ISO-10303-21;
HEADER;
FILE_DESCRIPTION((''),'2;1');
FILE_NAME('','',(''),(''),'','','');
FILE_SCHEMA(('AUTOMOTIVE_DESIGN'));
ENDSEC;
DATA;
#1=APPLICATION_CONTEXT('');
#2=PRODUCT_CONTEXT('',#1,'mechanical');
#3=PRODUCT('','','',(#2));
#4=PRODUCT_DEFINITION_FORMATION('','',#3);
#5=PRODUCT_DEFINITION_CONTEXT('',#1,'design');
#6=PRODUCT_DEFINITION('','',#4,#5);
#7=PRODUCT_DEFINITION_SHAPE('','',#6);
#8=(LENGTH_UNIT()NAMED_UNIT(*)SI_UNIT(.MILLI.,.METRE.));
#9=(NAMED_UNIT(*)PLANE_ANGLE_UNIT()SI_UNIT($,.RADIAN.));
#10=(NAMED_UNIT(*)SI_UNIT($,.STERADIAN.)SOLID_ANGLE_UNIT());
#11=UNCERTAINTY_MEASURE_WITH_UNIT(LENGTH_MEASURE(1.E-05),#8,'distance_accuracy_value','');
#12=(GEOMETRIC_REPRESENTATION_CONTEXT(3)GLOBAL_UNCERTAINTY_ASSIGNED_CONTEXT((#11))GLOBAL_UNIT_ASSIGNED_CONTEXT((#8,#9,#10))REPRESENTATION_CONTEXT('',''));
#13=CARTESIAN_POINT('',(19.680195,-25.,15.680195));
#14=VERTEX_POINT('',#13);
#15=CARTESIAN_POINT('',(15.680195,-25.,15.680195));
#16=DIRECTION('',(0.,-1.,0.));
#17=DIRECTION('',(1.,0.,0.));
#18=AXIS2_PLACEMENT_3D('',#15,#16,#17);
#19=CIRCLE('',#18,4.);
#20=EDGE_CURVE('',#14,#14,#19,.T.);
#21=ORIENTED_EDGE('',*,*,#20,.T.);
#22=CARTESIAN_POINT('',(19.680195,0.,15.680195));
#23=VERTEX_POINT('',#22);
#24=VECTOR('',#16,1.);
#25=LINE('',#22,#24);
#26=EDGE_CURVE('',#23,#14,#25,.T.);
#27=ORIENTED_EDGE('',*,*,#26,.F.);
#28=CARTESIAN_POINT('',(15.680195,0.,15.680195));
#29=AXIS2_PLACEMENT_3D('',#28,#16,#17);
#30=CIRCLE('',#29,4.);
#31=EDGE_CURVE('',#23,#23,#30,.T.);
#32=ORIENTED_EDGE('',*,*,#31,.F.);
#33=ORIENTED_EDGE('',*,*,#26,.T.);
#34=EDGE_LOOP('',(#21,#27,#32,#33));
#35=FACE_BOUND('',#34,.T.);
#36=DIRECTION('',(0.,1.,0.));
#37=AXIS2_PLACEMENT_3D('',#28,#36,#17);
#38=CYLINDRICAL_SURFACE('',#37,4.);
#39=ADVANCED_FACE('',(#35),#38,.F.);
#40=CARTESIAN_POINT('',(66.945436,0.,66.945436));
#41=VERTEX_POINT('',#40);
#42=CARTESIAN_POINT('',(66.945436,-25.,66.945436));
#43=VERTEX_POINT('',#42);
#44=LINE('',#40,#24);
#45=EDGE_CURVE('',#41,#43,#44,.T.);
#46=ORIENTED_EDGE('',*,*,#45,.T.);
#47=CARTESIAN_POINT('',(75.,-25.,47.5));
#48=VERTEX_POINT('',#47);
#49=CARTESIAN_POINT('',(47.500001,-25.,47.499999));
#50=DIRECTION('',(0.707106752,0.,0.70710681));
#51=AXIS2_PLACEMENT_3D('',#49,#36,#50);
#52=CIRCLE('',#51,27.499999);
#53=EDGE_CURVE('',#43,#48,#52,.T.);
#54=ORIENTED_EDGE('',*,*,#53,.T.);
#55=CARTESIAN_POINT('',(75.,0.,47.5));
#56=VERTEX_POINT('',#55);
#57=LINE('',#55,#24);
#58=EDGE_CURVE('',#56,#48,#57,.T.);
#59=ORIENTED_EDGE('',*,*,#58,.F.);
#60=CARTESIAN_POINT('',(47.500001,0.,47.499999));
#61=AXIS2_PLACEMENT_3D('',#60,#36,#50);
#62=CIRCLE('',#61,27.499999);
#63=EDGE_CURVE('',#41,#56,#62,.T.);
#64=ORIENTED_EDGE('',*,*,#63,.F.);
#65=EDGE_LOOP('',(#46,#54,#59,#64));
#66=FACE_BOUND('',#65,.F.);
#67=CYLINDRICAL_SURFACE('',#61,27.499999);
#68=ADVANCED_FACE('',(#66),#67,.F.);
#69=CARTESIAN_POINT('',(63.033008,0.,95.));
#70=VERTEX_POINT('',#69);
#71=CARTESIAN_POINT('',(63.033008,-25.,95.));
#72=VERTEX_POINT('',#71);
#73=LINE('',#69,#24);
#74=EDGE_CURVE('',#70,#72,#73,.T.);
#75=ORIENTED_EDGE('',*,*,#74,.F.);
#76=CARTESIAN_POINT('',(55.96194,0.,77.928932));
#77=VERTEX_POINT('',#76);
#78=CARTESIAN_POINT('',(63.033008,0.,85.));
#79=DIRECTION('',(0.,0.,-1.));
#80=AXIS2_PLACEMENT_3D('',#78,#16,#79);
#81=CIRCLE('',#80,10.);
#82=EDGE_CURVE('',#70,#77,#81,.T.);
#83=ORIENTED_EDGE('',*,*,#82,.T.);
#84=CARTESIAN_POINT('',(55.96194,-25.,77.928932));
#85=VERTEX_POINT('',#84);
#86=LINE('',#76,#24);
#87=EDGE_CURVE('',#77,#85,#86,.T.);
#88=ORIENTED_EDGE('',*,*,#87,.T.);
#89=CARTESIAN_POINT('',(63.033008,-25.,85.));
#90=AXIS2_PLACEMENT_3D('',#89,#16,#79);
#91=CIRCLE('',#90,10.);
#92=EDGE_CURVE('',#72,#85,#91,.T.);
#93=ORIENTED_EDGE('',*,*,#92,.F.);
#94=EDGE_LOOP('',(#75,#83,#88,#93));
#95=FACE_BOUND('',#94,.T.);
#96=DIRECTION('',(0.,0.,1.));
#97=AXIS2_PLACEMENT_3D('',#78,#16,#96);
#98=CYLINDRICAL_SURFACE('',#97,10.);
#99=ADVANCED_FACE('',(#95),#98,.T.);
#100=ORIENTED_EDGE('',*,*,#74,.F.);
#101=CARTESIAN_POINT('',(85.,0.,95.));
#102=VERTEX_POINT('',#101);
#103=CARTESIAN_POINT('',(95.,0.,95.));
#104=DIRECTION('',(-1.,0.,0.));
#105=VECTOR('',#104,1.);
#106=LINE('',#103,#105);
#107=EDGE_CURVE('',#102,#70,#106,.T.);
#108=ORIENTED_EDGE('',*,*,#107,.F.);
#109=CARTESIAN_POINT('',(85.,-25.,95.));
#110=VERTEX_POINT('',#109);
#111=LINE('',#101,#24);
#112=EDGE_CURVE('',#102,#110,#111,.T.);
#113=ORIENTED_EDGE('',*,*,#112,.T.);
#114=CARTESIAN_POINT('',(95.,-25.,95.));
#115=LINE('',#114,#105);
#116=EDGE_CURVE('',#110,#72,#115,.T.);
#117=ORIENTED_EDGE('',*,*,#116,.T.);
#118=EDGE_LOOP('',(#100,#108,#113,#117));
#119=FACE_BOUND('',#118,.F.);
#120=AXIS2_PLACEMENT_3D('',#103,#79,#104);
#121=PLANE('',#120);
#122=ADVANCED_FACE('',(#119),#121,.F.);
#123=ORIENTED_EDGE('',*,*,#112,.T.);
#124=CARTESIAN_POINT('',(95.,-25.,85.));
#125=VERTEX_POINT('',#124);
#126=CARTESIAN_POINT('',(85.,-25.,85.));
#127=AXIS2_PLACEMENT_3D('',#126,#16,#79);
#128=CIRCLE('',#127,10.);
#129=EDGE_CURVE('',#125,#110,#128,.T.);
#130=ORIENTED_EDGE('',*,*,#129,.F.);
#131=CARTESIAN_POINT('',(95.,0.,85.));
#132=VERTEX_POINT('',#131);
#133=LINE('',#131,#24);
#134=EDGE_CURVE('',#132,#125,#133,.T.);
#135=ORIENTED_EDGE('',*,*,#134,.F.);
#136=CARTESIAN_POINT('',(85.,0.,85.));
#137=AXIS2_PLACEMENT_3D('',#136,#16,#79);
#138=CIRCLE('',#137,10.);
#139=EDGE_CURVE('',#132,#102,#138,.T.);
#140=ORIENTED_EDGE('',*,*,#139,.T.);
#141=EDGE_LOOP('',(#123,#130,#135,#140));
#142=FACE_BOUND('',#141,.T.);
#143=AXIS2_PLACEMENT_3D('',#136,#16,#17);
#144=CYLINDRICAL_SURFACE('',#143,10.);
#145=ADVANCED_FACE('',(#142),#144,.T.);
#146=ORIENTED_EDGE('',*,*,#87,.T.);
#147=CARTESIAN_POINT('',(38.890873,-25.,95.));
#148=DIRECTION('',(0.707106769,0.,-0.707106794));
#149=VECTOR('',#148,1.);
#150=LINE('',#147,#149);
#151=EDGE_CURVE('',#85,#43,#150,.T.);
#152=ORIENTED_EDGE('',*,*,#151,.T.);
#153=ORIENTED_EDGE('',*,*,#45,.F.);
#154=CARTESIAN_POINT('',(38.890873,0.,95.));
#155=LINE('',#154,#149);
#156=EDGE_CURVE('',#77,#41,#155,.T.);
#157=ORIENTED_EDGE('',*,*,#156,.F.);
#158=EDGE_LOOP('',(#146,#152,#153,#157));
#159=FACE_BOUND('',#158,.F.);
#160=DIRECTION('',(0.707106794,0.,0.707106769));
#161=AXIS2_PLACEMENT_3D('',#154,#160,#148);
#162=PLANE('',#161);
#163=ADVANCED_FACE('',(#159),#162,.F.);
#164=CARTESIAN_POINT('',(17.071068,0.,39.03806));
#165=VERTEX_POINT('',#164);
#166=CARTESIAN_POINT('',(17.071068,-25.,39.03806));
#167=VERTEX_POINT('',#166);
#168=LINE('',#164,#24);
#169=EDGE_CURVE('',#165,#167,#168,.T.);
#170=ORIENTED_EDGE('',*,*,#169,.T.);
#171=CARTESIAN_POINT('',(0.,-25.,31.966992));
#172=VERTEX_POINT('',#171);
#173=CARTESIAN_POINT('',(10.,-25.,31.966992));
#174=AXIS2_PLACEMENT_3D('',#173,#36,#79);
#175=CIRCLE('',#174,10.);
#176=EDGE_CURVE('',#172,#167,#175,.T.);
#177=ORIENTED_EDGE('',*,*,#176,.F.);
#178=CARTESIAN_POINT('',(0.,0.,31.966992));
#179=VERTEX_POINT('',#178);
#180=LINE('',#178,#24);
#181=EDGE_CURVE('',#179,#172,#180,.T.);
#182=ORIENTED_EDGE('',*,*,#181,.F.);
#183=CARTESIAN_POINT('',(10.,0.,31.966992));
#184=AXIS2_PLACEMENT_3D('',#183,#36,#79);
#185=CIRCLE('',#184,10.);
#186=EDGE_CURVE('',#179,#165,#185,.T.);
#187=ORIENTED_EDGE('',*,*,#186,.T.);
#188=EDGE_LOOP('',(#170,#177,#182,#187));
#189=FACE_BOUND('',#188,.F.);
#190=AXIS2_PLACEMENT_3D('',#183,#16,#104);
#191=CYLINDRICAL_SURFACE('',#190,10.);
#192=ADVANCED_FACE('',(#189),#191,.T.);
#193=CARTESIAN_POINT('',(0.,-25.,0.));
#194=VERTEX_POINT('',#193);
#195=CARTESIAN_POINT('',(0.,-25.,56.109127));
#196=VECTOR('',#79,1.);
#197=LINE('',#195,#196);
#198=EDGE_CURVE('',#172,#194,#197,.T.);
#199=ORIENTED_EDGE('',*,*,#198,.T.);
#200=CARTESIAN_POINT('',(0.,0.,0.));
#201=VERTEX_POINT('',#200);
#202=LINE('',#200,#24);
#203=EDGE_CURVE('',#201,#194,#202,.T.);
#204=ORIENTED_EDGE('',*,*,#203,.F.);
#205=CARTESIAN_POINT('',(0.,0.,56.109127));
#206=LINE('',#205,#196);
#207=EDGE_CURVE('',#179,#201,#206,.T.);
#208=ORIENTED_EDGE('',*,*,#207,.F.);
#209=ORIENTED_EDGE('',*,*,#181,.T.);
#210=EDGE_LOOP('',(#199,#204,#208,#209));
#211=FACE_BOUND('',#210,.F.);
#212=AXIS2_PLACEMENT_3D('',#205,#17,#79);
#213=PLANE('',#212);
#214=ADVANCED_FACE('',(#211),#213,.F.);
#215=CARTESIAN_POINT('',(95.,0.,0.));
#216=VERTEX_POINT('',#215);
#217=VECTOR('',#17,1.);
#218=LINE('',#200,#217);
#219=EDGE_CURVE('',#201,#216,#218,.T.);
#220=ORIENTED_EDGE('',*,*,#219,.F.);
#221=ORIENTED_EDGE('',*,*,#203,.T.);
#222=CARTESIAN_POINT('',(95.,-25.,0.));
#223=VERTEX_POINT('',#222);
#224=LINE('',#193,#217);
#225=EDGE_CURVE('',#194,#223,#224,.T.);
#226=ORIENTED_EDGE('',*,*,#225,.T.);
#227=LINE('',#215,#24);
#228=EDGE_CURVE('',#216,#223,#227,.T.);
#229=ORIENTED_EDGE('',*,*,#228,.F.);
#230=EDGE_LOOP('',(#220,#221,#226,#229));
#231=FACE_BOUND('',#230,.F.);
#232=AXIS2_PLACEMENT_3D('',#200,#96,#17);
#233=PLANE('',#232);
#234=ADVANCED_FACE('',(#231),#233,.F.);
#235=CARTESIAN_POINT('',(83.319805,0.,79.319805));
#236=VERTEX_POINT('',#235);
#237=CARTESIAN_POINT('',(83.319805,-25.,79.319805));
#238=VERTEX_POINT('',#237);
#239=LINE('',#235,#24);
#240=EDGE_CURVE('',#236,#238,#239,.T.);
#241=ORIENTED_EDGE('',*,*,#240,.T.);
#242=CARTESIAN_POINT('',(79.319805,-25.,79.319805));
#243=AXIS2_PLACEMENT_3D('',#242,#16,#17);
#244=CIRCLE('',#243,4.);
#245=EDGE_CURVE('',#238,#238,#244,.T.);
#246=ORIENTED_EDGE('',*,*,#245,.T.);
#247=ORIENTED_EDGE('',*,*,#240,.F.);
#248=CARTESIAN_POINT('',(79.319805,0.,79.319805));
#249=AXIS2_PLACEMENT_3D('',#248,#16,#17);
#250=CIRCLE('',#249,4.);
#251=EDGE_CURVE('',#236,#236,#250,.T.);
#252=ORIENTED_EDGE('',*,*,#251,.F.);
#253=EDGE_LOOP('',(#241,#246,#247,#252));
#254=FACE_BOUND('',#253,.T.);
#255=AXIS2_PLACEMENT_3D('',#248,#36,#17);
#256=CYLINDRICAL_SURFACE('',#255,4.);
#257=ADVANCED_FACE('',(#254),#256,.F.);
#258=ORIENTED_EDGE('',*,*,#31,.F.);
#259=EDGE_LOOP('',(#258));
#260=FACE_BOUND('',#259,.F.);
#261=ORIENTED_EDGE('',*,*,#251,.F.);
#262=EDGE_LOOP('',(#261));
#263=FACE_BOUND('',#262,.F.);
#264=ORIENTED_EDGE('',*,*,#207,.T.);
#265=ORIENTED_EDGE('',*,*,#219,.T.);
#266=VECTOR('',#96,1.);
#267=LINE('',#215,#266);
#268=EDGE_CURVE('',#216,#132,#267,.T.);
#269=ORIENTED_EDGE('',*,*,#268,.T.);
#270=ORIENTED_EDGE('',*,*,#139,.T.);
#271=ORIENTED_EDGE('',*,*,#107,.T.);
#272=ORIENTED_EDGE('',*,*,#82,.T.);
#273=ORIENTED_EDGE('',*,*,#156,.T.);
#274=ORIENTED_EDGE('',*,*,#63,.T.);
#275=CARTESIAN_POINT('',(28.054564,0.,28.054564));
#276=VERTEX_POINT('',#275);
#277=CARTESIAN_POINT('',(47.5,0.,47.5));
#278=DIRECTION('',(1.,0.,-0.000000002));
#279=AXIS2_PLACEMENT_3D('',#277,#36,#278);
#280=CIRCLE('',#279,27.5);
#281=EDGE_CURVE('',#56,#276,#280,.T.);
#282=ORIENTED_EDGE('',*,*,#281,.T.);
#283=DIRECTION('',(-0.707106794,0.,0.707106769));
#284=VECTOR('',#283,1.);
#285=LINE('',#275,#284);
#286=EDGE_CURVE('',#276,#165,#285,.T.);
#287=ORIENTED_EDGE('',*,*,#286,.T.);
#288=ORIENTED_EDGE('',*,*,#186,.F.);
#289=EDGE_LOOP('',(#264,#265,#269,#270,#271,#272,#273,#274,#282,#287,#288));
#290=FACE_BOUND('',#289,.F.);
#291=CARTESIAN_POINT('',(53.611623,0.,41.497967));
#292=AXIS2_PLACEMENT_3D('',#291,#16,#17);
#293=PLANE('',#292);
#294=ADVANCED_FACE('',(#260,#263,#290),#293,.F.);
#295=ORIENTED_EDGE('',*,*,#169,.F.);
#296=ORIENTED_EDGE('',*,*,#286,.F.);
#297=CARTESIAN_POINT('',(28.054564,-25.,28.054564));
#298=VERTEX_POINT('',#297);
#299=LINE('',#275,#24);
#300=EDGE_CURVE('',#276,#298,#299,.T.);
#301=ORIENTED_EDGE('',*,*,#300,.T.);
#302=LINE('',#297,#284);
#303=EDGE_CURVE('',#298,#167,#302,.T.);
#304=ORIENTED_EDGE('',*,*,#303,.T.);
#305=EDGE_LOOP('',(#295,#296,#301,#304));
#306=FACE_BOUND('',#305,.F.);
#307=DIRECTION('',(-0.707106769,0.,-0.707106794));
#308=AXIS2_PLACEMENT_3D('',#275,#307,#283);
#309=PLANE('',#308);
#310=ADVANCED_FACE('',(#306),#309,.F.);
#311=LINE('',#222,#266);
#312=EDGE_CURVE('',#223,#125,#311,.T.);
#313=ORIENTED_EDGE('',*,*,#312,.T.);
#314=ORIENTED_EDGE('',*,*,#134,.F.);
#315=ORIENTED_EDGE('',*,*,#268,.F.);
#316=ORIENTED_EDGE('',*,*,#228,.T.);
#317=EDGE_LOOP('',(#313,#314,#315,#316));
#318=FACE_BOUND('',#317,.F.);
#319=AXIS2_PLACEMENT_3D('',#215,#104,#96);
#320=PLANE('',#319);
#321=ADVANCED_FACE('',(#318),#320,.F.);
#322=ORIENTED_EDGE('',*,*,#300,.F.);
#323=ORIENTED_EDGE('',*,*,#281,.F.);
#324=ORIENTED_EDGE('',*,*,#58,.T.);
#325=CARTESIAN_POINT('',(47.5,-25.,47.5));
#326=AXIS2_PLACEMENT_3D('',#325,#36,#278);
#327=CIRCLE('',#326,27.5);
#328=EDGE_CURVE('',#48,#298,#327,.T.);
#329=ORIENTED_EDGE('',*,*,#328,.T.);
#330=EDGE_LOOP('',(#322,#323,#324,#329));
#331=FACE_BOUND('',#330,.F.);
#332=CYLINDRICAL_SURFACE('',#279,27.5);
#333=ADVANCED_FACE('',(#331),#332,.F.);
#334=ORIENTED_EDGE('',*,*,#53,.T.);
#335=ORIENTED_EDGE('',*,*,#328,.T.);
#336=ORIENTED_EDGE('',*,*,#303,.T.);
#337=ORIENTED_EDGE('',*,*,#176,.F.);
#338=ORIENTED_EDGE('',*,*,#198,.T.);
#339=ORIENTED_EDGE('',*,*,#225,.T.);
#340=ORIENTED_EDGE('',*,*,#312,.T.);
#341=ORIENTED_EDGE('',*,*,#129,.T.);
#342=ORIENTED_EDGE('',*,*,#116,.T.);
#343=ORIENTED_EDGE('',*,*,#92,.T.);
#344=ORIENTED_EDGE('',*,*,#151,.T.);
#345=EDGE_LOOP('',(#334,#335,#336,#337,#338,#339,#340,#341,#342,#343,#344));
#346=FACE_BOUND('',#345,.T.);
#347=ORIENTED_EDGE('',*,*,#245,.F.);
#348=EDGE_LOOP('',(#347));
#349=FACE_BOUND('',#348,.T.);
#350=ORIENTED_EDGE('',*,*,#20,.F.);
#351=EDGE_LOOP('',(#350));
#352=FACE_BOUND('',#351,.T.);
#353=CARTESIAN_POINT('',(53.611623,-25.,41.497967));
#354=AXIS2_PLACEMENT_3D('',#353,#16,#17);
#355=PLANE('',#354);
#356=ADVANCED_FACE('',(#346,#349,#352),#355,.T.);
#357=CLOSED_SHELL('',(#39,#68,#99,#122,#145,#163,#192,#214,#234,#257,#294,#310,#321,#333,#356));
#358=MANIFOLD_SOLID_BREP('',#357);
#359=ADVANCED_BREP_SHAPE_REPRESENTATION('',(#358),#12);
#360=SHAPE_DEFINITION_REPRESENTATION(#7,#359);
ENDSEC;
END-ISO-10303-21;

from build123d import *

# Parameters (mm, degrees)
F0_R     = 4
F1_DEPTH = 25
F2_R     = 10


with BuildPart() as f1:
    # F0 (on Front) → F1 (new body)
    with BuildSketch(Plane.XZ):
        with BuildLine():
            Line((0, 56.109127), (0, 0))
            Line((0, 0), (95, 0))
            Line((95, 0), (95, 95))
            Line((95, 95), (38.890873, 95))
            Line((38.890873, 95), (66.945436, 66.945436))
            ThreePointArc((66.945436, 66.945436), (72.906687, 58.023794), (75, 47.5))
            ThreePointArc((75, 47.5), (58.023794, 22.093313), (28.054564, 28.054564))
            Line((28.054564, 28.054564), (0, 56.109127))
        make_face()
        with Locations((15.680195, 15.680195)):
            Circle(F0_R, mode=Mode.SUBTRACT)
        with Locations((79.319805, 79.319805)):
            Circle(F0_R, mode=Mode.SUBTRACT)
    extrude(amount=F1_DEPTH)

    # F2
    f2_edges = [f1.edges().sort_by_distance(p)[0] for p in [
        (95, -12.5, 95),
        (38.890873, -12.5, 95),
        (0, -12.5, 56.109127),
    ]]
    fillet(f2_edges, radius=F2_R)


solid = f1.part
